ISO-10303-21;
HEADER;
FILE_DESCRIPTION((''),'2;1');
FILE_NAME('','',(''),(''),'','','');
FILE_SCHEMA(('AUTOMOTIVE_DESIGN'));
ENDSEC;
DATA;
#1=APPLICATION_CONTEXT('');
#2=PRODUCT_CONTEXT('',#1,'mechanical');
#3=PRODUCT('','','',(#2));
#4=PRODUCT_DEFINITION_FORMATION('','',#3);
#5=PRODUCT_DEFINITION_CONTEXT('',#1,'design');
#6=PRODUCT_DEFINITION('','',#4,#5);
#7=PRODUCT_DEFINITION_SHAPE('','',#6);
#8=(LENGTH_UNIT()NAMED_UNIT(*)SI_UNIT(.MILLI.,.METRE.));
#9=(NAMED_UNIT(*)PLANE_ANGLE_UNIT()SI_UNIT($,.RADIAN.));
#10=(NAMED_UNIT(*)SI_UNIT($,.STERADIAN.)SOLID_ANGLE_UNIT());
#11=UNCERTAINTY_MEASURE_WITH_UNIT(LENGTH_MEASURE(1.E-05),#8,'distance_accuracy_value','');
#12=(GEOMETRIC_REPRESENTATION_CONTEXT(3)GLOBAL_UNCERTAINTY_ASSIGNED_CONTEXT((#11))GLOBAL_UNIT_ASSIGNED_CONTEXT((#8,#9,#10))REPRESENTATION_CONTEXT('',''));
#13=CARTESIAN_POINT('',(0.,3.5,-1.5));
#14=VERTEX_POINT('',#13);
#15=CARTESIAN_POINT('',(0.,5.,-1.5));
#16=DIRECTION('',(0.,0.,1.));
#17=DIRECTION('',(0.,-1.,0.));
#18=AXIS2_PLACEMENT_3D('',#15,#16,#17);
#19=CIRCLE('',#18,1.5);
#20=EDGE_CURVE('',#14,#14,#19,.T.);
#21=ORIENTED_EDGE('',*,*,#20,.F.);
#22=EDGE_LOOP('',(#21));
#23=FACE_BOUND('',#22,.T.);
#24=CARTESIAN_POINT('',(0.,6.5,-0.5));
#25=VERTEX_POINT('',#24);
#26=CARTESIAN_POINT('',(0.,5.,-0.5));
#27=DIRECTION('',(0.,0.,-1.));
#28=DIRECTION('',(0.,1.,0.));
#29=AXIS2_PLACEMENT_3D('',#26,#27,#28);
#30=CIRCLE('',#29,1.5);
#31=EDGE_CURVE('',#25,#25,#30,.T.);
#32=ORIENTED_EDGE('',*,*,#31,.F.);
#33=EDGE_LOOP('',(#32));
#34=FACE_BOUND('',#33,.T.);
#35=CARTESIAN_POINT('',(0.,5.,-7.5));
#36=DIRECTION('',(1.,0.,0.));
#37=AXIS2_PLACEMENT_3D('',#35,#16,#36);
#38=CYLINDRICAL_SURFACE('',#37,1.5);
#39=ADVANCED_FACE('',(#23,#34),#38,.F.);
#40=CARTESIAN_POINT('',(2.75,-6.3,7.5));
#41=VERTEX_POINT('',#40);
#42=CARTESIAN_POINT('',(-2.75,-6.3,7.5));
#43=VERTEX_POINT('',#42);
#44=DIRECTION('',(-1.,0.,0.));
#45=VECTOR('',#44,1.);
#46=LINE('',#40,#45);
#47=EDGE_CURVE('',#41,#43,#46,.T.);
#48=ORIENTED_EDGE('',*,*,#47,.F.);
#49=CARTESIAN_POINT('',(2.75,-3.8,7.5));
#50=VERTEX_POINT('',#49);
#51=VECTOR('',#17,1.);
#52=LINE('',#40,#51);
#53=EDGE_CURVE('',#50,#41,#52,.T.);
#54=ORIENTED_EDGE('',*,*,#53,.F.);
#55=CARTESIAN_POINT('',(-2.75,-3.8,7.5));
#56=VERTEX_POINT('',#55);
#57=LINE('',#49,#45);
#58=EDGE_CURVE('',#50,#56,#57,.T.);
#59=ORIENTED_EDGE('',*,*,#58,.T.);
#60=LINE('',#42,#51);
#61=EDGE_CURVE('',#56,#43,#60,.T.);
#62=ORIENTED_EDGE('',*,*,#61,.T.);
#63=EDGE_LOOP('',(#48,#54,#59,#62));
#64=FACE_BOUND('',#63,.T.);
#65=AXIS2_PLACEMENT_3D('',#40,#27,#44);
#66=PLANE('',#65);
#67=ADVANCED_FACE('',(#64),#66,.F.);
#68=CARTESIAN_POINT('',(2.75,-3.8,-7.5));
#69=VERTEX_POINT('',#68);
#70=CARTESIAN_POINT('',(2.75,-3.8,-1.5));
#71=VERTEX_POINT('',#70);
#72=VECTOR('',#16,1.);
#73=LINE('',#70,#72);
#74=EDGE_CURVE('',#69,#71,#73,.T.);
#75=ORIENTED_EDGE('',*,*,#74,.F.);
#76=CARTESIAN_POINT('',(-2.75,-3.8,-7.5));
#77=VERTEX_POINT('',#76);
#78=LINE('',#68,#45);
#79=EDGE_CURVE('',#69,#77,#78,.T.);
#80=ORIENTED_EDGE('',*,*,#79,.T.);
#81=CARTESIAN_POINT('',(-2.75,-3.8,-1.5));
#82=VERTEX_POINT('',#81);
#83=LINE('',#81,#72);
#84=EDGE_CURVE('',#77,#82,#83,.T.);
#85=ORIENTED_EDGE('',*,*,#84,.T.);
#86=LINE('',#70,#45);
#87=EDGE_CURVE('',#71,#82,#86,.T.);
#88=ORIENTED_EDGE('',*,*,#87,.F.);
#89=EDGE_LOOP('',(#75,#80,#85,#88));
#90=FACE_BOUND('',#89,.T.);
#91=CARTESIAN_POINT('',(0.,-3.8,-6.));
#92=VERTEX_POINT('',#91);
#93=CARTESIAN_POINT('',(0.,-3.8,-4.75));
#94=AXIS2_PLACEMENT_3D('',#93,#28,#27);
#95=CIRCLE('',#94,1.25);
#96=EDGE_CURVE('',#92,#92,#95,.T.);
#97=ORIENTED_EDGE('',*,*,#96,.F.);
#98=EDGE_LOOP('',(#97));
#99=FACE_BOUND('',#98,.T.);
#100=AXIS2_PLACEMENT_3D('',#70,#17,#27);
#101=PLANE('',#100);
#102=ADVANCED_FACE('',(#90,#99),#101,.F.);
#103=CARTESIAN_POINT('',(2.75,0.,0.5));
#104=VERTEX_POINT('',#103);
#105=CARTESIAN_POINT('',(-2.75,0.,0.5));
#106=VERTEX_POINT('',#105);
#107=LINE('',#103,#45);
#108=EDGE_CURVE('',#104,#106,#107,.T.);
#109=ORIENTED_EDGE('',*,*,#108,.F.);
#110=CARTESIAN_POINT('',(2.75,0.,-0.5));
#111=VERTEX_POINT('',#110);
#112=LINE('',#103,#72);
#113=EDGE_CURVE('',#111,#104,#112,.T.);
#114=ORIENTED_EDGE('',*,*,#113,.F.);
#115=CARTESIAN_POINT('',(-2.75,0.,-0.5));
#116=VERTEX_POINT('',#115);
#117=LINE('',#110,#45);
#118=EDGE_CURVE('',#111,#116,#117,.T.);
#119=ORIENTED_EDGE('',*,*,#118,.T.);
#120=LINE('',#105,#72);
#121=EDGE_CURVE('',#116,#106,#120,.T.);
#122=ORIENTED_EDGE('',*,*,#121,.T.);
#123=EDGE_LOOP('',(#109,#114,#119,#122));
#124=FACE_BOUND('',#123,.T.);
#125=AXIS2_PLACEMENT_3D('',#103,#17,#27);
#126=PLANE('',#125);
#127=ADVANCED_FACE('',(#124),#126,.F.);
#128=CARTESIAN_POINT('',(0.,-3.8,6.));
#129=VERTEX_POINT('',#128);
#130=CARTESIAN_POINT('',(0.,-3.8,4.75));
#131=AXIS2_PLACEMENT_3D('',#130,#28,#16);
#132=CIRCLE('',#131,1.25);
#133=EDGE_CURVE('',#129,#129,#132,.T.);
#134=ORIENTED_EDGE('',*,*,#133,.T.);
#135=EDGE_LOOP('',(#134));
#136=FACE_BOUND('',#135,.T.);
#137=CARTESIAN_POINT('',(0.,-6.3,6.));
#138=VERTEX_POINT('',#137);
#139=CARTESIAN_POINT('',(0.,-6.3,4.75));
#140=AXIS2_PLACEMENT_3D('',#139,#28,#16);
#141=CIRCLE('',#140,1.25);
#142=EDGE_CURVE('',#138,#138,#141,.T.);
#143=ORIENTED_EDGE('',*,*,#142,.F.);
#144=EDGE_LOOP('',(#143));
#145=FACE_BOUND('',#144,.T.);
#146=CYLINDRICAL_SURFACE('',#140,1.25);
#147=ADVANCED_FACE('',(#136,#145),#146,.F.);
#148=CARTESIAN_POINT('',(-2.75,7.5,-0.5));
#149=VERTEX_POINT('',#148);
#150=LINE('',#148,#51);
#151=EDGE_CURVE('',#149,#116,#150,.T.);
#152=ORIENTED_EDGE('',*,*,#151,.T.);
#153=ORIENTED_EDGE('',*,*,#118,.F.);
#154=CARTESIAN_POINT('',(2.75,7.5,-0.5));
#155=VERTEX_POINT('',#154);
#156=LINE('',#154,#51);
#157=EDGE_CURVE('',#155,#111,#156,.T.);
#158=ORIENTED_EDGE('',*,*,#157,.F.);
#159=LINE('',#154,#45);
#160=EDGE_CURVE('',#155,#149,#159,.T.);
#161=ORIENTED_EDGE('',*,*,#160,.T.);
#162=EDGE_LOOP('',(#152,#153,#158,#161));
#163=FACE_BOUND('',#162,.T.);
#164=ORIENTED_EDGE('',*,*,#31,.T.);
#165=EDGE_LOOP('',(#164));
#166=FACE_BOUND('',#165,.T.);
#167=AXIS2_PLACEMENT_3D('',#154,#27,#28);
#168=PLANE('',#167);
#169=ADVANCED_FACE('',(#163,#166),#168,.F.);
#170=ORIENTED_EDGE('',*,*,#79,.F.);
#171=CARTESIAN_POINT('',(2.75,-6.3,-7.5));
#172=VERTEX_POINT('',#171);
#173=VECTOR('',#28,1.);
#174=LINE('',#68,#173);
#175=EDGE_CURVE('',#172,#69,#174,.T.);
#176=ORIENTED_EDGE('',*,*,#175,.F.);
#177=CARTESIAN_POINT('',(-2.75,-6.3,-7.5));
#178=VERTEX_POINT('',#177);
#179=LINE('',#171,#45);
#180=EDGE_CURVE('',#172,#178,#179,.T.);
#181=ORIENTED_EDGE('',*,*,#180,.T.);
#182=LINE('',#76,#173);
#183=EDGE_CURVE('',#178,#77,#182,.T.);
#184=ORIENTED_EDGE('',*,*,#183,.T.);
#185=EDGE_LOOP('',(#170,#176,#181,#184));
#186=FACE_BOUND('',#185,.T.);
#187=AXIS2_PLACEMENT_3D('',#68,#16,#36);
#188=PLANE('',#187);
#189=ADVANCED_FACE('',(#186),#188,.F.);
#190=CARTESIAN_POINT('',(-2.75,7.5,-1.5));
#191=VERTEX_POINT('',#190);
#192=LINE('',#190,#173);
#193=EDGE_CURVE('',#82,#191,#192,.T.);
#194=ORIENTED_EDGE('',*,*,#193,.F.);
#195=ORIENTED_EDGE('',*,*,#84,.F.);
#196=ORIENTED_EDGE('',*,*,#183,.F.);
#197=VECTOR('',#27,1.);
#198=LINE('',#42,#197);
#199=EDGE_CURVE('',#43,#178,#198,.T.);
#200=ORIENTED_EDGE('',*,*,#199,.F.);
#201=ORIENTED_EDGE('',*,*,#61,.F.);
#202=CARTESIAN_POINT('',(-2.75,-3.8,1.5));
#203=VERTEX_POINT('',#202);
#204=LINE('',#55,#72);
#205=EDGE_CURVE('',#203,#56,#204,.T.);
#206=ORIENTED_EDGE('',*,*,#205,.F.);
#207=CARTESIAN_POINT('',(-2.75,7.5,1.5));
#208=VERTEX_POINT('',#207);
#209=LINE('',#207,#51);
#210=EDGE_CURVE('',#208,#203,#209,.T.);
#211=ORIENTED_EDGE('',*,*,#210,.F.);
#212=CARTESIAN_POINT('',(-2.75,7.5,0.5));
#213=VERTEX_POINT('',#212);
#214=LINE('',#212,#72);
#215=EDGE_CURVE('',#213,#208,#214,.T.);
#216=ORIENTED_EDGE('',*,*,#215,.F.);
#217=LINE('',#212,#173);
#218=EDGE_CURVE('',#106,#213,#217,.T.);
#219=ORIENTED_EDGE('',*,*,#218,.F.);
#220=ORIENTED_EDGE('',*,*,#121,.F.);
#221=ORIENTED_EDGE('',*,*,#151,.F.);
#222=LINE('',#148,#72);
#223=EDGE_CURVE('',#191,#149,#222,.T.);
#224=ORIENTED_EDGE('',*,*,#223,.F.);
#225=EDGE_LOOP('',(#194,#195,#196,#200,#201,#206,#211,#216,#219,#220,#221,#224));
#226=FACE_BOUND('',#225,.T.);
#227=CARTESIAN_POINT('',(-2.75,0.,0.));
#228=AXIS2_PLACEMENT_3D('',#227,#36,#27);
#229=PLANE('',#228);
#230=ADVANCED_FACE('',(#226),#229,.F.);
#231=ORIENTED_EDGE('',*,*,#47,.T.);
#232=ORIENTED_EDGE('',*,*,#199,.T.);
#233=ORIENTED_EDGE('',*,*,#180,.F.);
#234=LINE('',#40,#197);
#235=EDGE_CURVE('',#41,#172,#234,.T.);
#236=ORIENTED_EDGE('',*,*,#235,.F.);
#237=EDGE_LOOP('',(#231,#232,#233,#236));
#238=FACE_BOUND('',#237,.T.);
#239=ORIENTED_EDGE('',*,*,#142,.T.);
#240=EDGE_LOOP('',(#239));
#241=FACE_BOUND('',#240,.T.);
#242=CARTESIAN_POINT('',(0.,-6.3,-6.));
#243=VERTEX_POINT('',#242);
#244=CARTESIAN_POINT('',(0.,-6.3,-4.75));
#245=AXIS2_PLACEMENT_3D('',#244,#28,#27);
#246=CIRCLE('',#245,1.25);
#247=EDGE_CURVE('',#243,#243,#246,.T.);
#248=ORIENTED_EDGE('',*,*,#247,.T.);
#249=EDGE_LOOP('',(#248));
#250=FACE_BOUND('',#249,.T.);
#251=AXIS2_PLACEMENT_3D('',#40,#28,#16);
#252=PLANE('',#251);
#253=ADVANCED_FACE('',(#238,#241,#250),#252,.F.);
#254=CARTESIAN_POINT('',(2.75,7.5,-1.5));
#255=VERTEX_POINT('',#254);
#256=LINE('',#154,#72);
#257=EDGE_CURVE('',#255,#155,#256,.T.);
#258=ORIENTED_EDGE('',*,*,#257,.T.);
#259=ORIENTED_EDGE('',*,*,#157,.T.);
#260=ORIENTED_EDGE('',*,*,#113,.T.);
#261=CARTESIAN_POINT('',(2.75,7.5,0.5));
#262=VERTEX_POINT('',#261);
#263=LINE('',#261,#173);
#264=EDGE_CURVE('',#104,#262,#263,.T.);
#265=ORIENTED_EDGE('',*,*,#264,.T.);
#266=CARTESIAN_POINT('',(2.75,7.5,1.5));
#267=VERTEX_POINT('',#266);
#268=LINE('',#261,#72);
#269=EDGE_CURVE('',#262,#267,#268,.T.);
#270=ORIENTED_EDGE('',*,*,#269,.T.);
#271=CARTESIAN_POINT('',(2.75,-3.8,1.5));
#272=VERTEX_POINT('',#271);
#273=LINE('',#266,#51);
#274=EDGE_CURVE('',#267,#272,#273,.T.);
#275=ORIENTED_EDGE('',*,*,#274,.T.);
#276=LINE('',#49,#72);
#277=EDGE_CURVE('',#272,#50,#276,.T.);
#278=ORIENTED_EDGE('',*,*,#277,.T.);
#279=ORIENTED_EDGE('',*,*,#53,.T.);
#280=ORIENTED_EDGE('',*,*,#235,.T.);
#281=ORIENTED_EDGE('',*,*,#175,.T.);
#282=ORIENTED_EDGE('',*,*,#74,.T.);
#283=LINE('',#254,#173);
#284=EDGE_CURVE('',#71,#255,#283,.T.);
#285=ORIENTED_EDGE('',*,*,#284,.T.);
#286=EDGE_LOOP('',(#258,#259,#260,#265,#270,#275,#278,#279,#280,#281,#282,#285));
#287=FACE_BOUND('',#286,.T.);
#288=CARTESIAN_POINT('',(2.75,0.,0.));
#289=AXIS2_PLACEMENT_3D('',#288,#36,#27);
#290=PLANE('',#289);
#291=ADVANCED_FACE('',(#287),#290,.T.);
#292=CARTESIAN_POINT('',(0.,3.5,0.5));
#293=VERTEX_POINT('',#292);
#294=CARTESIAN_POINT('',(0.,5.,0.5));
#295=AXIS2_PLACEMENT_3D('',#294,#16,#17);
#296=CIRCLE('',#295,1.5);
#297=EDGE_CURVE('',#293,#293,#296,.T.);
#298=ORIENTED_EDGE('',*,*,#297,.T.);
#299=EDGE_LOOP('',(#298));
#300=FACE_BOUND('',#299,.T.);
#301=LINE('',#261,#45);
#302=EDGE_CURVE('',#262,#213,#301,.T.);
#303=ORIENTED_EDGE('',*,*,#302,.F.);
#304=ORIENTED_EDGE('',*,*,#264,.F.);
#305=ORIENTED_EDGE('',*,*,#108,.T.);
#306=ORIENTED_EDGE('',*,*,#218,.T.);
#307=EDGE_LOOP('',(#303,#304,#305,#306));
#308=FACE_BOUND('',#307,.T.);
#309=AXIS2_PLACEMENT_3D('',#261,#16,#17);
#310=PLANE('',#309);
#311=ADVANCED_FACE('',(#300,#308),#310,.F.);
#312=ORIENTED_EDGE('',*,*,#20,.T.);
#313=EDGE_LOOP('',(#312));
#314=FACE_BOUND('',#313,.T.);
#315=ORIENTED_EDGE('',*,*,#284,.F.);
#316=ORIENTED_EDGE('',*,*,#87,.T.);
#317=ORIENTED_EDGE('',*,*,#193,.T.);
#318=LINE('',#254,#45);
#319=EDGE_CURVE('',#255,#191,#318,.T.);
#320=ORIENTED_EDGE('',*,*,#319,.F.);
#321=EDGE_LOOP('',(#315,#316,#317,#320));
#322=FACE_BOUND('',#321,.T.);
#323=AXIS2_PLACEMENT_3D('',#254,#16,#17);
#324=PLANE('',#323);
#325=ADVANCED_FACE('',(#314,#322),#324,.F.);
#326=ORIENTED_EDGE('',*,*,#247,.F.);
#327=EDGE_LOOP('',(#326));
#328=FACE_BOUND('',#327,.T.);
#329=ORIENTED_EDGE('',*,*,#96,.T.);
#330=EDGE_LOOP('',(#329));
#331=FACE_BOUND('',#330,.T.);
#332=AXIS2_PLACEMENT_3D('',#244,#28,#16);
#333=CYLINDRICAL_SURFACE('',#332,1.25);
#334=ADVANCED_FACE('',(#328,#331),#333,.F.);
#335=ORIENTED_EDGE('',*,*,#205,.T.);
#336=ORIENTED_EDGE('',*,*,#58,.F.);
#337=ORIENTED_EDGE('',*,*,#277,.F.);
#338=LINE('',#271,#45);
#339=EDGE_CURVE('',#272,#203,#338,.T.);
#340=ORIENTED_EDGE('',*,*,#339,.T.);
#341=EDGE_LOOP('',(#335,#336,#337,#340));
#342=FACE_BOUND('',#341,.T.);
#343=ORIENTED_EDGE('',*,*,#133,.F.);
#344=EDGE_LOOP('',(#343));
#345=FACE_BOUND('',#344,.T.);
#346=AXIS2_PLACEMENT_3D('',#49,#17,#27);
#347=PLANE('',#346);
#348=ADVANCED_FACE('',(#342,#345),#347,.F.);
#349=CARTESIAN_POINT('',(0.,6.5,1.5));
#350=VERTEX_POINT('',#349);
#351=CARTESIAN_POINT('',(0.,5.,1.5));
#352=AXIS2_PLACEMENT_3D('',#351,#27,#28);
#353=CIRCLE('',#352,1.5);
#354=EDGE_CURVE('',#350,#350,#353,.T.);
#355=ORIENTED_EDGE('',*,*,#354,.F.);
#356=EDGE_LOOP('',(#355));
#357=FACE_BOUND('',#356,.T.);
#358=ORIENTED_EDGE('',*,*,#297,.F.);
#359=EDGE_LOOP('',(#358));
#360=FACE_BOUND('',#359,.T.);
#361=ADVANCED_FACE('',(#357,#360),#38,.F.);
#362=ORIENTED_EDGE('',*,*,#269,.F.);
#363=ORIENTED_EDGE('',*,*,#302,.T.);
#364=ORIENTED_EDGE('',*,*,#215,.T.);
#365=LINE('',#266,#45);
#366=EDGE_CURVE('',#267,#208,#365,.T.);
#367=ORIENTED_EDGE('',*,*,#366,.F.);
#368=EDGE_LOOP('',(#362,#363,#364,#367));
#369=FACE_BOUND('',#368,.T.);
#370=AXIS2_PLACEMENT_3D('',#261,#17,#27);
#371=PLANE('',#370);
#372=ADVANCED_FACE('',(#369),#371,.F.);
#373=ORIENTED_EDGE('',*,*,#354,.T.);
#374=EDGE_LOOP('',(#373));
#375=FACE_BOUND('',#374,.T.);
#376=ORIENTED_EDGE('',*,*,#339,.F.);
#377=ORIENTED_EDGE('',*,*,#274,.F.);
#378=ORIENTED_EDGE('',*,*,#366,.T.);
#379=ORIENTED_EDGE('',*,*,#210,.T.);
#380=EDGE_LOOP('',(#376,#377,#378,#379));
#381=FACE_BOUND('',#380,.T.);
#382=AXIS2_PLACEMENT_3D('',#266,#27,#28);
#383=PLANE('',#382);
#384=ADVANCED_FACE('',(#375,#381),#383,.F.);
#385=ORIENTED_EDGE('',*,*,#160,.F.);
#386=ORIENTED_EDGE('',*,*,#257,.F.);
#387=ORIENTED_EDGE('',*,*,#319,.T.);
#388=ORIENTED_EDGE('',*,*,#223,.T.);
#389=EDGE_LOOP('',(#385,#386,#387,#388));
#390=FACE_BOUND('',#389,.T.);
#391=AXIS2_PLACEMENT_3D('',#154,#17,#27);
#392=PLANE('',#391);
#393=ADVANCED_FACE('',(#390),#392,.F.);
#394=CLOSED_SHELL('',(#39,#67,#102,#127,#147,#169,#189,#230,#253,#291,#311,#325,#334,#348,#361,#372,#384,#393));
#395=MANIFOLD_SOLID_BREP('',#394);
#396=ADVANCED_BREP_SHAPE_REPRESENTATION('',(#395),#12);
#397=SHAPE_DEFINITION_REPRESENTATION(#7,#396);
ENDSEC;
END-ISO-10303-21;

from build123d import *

# Parameters (mm, degrees)
BOSS_EXTRUDE1_DEPTH     = 2.75
SKETCH2_R               = 1.25
CUT_EXTRUDE1_DEPTH      = 14.838442831
CUT_EXTRUDE2_DEPTH      = 11.9573035
CUT_EXTRUDE2_DEPTH_BACK = 11.9573035
SKETCH4_R               = 1.5


with BuildPart() as part:
    # Sketch1 → Boss-Extrude1 (new, symmetric)
    with BuildSketch(Plane(origin=(0, 0, 0), x_dir=(0, 0, -1), z_dir=(1, 0, 0))):
        Polygon((-0.5, 7.5), (-0.5, 0), (0.5, 0), (0.5, 7.5), (1.5, 7.5), (1.5, -3.8), (7.5, -3.8), (7.5, -6.3), (-7.5, -6.3), (-7.5, -3.8), (-1.5, -3.8), (-1.5, 7.5), align=None)
    extrude(amount=BOSS_EXTRUDE1_DEPTH, both=True)

    # Sketch2 → Cut-Extrude1 (cut, through all)
    with BuildSketch(Plane(origin=(0, -3.8, 0), x_dir=(1, 0, 0), z_dir=(0, 1, 0))):
        with Locations(Location((0, -4.75, 0), (0, 0, 270))):
            Circle(SKETCH2_R)
        with Locations(Location((0, 4.75, 0), (0, 0, 90))):
            Circle(SKETCH2_R)
    extrude(amount=-CUT_EXTRUDE1_DEPTH, mode=Mode.SUBTRACT)

    # Sketch4 → Cut-Extrude2 (cut, two sides: drawn at the far end of the back side and taken through both)
    with BuildSketch(Plane.XY.offset(-CUT_EXTRUDE2_DEPTH_BACK)):
        with Locations(Location((0, 5, 0), (0, 0, 270))):
            Circle(SKETCH4_R)
    extrude(amount=CUT_EXTRUDE2_DEPTH + CUT_EXTRUDE2_DEPTH_BACK, mode=Mode.SUBTRACT)


solid = part.part
